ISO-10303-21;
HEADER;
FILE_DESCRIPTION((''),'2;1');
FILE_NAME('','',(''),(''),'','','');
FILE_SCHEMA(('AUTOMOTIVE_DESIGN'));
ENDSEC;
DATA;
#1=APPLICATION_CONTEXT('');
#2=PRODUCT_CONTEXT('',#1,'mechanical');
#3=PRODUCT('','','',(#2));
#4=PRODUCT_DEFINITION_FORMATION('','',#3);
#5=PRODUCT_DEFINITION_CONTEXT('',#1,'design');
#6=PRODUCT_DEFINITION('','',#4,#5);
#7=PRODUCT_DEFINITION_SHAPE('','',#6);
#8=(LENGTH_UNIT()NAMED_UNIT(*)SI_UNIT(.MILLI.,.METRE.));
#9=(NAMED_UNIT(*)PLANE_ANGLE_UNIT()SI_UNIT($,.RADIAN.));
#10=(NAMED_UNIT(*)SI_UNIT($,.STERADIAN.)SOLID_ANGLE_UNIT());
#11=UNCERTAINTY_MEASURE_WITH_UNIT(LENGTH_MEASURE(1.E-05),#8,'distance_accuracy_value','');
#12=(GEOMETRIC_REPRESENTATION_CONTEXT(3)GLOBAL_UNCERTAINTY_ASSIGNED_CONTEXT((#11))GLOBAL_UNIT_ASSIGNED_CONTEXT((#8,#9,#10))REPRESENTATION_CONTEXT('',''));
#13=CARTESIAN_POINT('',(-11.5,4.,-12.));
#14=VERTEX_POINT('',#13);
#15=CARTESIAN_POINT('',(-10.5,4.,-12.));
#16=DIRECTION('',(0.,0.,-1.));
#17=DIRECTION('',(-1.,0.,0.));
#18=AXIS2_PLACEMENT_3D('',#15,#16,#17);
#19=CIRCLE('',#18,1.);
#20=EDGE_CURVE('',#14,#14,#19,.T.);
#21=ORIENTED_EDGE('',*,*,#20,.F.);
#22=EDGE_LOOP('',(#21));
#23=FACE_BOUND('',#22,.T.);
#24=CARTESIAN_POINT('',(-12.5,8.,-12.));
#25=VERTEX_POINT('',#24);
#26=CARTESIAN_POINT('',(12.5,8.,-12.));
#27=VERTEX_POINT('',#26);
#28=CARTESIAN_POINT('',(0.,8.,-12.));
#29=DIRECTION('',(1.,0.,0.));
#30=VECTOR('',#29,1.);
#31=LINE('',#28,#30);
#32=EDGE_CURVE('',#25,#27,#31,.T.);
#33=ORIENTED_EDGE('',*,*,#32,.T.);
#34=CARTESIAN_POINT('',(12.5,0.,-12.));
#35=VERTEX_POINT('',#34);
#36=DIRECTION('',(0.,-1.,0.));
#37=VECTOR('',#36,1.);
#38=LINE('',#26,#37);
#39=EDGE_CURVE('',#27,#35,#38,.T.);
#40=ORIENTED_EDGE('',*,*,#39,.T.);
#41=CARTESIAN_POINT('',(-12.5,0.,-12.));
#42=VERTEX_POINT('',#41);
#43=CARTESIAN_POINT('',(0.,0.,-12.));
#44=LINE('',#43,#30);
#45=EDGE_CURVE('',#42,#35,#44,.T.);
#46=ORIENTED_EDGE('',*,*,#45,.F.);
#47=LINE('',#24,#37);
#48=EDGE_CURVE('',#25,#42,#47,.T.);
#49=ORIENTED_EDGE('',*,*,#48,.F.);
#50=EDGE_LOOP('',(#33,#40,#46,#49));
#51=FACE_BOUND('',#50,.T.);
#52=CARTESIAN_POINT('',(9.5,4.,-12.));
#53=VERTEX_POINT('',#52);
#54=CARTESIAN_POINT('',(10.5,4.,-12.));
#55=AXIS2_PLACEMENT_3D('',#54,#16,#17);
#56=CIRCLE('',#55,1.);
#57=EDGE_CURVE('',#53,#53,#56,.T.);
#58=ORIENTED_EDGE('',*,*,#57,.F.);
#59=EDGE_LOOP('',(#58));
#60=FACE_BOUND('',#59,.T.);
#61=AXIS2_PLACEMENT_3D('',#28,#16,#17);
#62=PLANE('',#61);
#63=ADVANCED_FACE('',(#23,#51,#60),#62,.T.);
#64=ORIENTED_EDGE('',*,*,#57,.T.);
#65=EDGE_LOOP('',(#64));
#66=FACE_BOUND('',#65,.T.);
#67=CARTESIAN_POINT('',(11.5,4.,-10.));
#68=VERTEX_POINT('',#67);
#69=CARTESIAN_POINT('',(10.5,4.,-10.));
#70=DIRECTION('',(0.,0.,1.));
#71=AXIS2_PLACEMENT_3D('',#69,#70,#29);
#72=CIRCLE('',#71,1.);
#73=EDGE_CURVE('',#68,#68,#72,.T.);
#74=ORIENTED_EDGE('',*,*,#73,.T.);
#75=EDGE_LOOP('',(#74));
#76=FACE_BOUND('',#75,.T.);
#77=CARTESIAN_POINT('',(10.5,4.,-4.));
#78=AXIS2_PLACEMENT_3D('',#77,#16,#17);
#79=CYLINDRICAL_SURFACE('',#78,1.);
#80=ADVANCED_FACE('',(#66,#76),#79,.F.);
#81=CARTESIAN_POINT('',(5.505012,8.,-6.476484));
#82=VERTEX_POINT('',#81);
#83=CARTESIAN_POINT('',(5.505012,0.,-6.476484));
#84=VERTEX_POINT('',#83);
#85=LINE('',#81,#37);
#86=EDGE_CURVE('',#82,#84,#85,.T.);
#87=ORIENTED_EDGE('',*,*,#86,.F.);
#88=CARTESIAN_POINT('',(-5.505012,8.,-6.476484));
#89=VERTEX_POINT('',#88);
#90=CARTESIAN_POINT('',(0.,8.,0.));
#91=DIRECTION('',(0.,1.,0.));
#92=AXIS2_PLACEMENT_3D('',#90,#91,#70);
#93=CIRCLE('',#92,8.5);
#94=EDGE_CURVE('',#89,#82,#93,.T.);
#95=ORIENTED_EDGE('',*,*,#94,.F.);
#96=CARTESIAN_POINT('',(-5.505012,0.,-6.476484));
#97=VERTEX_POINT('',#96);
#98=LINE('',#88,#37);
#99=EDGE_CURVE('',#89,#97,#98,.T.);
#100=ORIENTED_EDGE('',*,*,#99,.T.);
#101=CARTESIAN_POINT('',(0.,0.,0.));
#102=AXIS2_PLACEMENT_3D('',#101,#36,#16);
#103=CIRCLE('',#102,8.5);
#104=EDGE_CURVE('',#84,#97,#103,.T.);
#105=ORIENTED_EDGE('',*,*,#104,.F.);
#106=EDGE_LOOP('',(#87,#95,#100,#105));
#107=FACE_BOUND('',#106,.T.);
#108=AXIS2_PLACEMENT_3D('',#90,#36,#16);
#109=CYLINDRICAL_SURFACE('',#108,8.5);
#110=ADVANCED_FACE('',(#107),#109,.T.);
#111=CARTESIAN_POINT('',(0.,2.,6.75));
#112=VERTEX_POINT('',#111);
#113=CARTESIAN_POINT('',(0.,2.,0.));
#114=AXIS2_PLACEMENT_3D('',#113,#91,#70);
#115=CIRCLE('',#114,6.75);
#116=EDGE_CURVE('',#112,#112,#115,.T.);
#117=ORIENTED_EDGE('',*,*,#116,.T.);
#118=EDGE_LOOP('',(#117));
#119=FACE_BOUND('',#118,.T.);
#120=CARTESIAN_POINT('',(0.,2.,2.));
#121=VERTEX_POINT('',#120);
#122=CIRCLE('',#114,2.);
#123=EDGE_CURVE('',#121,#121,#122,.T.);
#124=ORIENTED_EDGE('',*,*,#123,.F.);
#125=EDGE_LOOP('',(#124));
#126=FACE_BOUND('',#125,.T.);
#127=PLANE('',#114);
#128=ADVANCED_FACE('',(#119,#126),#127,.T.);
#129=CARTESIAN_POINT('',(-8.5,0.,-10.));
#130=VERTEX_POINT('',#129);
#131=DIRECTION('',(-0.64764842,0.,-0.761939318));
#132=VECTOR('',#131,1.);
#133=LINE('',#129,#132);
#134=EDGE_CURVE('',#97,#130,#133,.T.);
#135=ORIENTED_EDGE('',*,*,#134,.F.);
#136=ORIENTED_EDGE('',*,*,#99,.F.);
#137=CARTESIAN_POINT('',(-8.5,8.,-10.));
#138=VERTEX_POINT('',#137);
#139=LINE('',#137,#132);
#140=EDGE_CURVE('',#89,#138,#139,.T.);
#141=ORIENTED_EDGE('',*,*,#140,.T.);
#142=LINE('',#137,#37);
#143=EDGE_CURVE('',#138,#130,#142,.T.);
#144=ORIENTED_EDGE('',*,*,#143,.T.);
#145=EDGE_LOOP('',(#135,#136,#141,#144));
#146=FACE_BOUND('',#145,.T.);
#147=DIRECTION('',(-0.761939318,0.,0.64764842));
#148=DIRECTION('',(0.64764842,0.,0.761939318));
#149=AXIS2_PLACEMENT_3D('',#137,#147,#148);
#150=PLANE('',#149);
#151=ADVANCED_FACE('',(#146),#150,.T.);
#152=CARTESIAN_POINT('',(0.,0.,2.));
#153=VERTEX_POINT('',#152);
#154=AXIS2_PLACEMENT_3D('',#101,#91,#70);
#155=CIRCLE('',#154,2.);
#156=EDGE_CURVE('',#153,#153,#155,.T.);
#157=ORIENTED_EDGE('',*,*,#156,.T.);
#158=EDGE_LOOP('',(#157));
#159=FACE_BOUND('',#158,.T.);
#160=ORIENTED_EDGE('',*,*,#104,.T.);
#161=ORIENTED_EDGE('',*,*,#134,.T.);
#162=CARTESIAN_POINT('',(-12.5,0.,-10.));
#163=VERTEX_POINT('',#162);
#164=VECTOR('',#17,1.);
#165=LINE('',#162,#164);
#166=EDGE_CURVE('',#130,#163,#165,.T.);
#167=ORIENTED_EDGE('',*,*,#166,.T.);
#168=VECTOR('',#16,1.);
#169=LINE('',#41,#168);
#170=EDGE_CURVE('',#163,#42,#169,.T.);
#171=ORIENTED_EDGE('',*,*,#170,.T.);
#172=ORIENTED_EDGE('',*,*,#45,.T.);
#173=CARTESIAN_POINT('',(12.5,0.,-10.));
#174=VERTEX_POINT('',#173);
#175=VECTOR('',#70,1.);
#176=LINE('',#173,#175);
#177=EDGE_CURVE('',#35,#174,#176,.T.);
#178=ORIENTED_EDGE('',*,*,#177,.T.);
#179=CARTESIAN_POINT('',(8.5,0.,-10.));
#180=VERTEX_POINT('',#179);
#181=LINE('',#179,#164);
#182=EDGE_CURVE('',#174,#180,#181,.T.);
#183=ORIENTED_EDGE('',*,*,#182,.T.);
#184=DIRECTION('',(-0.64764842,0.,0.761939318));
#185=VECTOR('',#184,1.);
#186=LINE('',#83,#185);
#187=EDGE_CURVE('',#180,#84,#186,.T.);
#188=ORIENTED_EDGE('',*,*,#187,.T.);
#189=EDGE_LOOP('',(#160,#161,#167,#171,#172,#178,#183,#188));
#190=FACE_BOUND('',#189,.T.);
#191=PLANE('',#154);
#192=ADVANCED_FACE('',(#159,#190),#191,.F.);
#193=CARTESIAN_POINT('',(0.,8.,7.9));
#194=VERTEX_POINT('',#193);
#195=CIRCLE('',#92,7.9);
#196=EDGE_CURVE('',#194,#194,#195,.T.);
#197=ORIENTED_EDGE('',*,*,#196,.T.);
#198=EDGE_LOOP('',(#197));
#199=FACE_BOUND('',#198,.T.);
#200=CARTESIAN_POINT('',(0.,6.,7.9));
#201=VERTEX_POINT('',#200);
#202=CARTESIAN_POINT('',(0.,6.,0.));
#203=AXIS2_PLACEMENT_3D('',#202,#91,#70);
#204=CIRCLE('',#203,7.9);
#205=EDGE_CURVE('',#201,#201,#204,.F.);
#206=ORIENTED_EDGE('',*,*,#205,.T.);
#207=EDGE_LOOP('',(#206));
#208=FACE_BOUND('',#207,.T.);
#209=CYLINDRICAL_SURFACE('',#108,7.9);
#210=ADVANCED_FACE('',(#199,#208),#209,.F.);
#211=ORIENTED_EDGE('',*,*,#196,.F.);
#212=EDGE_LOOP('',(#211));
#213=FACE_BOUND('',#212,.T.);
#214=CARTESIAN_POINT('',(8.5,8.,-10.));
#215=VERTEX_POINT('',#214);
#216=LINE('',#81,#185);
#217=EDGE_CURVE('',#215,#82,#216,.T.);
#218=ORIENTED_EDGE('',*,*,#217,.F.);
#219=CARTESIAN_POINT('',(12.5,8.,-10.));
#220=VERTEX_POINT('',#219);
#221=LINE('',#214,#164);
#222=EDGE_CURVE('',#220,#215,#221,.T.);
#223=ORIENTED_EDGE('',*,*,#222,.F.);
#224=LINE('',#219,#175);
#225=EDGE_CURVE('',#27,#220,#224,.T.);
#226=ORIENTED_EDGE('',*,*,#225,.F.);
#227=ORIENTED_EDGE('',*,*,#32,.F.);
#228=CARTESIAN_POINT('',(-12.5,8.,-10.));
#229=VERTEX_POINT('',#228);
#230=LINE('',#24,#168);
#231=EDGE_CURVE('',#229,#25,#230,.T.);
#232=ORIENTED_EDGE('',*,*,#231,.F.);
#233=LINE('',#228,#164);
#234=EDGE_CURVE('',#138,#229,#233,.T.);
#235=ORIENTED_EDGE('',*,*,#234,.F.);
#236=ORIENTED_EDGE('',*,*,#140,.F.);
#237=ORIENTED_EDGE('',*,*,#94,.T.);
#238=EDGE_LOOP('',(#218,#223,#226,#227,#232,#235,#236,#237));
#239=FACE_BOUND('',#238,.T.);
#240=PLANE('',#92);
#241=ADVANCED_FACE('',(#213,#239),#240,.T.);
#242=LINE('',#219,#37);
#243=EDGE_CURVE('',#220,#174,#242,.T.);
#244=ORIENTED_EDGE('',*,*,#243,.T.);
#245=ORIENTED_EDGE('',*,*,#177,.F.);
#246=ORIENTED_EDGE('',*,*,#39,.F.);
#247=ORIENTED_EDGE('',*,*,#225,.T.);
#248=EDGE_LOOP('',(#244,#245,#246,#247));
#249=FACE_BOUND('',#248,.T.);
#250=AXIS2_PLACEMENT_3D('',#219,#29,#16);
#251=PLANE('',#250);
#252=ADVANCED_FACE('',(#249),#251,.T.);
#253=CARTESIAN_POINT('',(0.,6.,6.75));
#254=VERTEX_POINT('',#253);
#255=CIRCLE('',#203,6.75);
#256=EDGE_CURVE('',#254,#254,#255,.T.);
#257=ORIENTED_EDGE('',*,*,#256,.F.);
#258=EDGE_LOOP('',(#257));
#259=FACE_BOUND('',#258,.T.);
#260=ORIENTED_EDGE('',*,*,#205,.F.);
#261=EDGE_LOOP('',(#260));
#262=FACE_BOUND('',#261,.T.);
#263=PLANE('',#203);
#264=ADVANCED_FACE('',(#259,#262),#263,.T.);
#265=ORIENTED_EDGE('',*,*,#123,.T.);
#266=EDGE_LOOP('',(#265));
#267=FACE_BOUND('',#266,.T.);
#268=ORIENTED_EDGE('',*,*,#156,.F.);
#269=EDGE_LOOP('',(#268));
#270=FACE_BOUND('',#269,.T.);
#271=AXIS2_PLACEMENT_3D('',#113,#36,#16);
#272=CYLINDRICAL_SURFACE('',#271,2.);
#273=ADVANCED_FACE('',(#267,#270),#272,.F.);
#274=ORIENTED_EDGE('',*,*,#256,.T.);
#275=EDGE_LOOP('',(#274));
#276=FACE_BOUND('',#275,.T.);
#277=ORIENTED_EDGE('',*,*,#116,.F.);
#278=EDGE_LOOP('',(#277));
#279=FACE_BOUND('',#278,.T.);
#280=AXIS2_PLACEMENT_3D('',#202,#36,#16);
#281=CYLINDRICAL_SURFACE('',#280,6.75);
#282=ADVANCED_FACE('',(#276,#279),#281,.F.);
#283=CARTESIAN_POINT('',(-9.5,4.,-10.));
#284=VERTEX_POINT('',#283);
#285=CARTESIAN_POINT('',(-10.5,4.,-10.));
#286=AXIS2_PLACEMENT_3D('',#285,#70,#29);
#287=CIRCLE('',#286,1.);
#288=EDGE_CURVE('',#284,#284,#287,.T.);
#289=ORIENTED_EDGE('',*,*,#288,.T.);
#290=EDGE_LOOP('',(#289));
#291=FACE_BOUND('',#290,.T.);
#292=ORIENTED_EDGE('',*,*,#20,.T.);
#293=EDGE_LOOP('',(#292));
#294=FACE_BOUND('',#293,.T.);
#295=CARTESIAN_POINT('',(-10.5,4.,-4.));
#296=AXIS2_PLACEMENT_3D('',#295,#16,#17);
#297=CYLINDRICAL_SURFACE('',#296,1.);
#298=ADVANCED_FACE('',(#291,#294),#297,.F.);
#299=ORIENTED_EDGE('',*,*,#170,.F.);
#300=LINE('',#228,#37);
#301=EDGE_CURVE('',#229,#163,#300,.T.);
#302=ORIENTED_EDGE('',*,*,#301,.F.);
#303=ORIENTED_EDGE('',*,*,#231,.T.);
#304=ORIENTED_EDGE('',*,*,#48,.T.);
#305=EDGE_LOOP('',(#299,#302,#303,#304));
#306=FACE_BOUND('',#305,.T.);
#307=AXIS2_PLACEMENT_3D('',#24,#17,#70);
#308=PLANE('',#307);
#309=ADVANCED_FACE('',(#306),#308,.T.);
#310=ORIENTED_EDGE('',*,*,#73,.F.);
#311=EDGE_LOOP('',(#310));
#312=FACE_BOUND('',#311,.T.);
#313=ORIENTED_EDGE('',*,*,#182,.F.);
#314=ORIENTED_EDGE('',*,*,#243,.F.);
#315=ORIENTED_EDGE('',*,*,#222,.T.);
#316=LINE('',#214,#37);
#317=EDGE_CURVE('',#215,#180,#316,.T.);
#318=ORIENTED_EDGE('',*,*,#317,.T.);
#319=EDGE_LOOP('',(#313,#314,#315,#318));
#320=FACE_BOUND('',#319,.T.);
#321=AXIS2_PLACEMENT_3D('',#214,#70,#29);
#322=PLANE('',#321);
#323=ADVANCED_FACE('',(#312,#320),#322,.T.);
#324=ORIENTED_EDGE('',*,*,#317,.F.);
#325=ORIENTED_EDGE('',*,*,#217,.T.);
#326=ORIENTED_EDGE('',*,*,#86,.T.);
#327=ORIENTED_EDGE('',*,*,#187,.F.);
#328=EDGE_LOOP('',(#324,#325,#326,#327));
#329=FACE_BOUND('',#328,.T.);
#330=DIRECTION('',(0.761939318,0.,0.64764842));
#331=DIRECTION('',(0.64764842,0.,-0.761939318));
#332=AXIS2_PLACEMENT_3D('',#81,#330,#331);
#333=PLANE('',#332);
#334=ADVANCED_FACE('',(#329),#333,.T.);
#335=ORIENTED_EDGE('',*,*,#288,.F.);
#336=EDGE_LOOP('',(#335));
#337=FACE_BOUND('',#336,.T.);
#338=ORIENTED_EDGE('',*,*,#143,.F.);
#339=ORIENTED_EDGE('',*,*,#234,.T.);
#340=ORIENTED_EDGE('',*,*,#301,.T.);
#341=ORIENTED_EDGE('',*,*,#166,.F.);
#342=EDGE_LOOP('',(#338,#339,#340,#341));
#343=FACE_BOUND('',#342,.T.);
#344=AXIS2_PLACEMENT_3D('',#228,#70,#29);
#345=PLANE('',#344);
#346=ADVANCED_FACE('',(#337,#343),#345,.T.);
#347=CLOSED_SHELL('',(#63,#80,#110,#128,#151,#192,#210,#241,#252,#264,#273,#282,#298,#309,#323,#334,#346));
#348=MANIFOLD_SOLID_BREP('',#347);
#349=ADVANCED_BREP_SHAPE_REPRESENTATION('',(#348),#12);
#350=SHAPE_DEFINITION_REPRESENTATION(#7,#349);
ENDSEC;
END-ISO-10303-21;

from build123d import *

# Parameters (mm, degrees)
SKETCH_1_R          = 8
SKETCH_1_R_2        = 6.75
EXTRUDE_2_DEPTH     = 6
SKETCH_2_R          = 6.75
SKETCH_2_R_2        = 2
EXTRUDE_3_DEPTH     = 2
SKETCH_3_R          = 8.5
SKETCH_3_R_2        = 7.9
EXTRUDE_4_DEPTH     = 2
SKETCH_4_R          = 8.5
SKETCH_4_R_2        = 8
EXTRUDE_6_DEPTH     = 6
EXTRUDE_8_DEPTH     = 8
SKETCH_7_R          = 1
CUT_EXTRUDE_1_DEPTH = 8


with BuildPart() as part:
    # 草图1 → 凸台-拉伸2 (new body)
    with BuildSketch(Plane(origin=(0, 0, 0), x_dir=(1, 0, 0), z_dir=(0, 1, 0))):
        Circle(SKETCH_1_R)
        Circle(SKETCH_1_R_2, mode=Mode.SUBTRACT)
    extrude(amount=EXTRUDE_2_DEPTH)

    # 草图2 → 凸台-拉伸3 (add)
    with BuildSketch(Plane(origin=(0, 0, 0), x_dir=(1, 0, 0), z_dir=(0, 1, 0))):
        Circle(SKETCH_2_R)
        Circle(SKETCH_2_R_2, mode=Mode.SUBTRACT)
    extrude(amount=EXTRUDE_3_DEPTH)

    # 草图3 → 凸台-拉伸4 (add)
    with BuildSketch(Plane(origin=(0, 6, 0), x_dir=(1, 0, 0), z_dir=(0, 1, 0))):
        Circle(SKETCH_3_R)
        Circle(SKETCH_3_R_2, mode=Mode.SUBTRACT)
    extrude(amount=EXTRUDE_4_DEPTH)

    # 草图4 → 凸台-拉伸6 (add)
    with BuildSketch(Plane.XZ.offset(-6)):
        Circle(SKETCH_4_R)
        Circle(SKETCH_4_R_2, mode=Mode.SUBTRACT)
    extrude(amount=EXTRUDE_6_DEPTH)

    # 草图6 → 凸台-拉伸8 (add)
    with BuildSketch(Plane.XZ):
        with BuildLine():
            Line((-8.5, -10), (-5.505011571, -6.476484201))
            ThreePointArc((-5.505011571, -6.476484201), (0, -8.5), (5.505011571, -6.476484201))
            Line((5.505011571, -6.476484201), (8.5, -10))
            Line((8.5, -10), (12.5, -10))
            Line((12.5, -10), (12.5, -12))
            Line((12.5, -12), (0, -12))
            Line((0, -12), (-12.5, -12))
            Line((-12.5, -12), (-12.5, -10))
            Line((-12.5, -10), (-8.5, -10))
        make_face()
    extrude(amount=-EXTRUDE_8_DEPTH)

    # 草图7 → 切除-拉伸1 (cut)
    with BuildSketch(Plane(origin=(0, 0, -12), x_dir=(-1, 0, 0), z_dir=(0, 0, -1))):
        with Locations((10.5, 4)):
            Circle(SKETCH_7_R)
        with Locations((-10.5, 4)):
            Circle(SKETCH_7_R)
    extrude(amount=-CUT_EXTRUDE_1_DEPTH, mode=Mode.SUBTRACT)


solid = part.part
